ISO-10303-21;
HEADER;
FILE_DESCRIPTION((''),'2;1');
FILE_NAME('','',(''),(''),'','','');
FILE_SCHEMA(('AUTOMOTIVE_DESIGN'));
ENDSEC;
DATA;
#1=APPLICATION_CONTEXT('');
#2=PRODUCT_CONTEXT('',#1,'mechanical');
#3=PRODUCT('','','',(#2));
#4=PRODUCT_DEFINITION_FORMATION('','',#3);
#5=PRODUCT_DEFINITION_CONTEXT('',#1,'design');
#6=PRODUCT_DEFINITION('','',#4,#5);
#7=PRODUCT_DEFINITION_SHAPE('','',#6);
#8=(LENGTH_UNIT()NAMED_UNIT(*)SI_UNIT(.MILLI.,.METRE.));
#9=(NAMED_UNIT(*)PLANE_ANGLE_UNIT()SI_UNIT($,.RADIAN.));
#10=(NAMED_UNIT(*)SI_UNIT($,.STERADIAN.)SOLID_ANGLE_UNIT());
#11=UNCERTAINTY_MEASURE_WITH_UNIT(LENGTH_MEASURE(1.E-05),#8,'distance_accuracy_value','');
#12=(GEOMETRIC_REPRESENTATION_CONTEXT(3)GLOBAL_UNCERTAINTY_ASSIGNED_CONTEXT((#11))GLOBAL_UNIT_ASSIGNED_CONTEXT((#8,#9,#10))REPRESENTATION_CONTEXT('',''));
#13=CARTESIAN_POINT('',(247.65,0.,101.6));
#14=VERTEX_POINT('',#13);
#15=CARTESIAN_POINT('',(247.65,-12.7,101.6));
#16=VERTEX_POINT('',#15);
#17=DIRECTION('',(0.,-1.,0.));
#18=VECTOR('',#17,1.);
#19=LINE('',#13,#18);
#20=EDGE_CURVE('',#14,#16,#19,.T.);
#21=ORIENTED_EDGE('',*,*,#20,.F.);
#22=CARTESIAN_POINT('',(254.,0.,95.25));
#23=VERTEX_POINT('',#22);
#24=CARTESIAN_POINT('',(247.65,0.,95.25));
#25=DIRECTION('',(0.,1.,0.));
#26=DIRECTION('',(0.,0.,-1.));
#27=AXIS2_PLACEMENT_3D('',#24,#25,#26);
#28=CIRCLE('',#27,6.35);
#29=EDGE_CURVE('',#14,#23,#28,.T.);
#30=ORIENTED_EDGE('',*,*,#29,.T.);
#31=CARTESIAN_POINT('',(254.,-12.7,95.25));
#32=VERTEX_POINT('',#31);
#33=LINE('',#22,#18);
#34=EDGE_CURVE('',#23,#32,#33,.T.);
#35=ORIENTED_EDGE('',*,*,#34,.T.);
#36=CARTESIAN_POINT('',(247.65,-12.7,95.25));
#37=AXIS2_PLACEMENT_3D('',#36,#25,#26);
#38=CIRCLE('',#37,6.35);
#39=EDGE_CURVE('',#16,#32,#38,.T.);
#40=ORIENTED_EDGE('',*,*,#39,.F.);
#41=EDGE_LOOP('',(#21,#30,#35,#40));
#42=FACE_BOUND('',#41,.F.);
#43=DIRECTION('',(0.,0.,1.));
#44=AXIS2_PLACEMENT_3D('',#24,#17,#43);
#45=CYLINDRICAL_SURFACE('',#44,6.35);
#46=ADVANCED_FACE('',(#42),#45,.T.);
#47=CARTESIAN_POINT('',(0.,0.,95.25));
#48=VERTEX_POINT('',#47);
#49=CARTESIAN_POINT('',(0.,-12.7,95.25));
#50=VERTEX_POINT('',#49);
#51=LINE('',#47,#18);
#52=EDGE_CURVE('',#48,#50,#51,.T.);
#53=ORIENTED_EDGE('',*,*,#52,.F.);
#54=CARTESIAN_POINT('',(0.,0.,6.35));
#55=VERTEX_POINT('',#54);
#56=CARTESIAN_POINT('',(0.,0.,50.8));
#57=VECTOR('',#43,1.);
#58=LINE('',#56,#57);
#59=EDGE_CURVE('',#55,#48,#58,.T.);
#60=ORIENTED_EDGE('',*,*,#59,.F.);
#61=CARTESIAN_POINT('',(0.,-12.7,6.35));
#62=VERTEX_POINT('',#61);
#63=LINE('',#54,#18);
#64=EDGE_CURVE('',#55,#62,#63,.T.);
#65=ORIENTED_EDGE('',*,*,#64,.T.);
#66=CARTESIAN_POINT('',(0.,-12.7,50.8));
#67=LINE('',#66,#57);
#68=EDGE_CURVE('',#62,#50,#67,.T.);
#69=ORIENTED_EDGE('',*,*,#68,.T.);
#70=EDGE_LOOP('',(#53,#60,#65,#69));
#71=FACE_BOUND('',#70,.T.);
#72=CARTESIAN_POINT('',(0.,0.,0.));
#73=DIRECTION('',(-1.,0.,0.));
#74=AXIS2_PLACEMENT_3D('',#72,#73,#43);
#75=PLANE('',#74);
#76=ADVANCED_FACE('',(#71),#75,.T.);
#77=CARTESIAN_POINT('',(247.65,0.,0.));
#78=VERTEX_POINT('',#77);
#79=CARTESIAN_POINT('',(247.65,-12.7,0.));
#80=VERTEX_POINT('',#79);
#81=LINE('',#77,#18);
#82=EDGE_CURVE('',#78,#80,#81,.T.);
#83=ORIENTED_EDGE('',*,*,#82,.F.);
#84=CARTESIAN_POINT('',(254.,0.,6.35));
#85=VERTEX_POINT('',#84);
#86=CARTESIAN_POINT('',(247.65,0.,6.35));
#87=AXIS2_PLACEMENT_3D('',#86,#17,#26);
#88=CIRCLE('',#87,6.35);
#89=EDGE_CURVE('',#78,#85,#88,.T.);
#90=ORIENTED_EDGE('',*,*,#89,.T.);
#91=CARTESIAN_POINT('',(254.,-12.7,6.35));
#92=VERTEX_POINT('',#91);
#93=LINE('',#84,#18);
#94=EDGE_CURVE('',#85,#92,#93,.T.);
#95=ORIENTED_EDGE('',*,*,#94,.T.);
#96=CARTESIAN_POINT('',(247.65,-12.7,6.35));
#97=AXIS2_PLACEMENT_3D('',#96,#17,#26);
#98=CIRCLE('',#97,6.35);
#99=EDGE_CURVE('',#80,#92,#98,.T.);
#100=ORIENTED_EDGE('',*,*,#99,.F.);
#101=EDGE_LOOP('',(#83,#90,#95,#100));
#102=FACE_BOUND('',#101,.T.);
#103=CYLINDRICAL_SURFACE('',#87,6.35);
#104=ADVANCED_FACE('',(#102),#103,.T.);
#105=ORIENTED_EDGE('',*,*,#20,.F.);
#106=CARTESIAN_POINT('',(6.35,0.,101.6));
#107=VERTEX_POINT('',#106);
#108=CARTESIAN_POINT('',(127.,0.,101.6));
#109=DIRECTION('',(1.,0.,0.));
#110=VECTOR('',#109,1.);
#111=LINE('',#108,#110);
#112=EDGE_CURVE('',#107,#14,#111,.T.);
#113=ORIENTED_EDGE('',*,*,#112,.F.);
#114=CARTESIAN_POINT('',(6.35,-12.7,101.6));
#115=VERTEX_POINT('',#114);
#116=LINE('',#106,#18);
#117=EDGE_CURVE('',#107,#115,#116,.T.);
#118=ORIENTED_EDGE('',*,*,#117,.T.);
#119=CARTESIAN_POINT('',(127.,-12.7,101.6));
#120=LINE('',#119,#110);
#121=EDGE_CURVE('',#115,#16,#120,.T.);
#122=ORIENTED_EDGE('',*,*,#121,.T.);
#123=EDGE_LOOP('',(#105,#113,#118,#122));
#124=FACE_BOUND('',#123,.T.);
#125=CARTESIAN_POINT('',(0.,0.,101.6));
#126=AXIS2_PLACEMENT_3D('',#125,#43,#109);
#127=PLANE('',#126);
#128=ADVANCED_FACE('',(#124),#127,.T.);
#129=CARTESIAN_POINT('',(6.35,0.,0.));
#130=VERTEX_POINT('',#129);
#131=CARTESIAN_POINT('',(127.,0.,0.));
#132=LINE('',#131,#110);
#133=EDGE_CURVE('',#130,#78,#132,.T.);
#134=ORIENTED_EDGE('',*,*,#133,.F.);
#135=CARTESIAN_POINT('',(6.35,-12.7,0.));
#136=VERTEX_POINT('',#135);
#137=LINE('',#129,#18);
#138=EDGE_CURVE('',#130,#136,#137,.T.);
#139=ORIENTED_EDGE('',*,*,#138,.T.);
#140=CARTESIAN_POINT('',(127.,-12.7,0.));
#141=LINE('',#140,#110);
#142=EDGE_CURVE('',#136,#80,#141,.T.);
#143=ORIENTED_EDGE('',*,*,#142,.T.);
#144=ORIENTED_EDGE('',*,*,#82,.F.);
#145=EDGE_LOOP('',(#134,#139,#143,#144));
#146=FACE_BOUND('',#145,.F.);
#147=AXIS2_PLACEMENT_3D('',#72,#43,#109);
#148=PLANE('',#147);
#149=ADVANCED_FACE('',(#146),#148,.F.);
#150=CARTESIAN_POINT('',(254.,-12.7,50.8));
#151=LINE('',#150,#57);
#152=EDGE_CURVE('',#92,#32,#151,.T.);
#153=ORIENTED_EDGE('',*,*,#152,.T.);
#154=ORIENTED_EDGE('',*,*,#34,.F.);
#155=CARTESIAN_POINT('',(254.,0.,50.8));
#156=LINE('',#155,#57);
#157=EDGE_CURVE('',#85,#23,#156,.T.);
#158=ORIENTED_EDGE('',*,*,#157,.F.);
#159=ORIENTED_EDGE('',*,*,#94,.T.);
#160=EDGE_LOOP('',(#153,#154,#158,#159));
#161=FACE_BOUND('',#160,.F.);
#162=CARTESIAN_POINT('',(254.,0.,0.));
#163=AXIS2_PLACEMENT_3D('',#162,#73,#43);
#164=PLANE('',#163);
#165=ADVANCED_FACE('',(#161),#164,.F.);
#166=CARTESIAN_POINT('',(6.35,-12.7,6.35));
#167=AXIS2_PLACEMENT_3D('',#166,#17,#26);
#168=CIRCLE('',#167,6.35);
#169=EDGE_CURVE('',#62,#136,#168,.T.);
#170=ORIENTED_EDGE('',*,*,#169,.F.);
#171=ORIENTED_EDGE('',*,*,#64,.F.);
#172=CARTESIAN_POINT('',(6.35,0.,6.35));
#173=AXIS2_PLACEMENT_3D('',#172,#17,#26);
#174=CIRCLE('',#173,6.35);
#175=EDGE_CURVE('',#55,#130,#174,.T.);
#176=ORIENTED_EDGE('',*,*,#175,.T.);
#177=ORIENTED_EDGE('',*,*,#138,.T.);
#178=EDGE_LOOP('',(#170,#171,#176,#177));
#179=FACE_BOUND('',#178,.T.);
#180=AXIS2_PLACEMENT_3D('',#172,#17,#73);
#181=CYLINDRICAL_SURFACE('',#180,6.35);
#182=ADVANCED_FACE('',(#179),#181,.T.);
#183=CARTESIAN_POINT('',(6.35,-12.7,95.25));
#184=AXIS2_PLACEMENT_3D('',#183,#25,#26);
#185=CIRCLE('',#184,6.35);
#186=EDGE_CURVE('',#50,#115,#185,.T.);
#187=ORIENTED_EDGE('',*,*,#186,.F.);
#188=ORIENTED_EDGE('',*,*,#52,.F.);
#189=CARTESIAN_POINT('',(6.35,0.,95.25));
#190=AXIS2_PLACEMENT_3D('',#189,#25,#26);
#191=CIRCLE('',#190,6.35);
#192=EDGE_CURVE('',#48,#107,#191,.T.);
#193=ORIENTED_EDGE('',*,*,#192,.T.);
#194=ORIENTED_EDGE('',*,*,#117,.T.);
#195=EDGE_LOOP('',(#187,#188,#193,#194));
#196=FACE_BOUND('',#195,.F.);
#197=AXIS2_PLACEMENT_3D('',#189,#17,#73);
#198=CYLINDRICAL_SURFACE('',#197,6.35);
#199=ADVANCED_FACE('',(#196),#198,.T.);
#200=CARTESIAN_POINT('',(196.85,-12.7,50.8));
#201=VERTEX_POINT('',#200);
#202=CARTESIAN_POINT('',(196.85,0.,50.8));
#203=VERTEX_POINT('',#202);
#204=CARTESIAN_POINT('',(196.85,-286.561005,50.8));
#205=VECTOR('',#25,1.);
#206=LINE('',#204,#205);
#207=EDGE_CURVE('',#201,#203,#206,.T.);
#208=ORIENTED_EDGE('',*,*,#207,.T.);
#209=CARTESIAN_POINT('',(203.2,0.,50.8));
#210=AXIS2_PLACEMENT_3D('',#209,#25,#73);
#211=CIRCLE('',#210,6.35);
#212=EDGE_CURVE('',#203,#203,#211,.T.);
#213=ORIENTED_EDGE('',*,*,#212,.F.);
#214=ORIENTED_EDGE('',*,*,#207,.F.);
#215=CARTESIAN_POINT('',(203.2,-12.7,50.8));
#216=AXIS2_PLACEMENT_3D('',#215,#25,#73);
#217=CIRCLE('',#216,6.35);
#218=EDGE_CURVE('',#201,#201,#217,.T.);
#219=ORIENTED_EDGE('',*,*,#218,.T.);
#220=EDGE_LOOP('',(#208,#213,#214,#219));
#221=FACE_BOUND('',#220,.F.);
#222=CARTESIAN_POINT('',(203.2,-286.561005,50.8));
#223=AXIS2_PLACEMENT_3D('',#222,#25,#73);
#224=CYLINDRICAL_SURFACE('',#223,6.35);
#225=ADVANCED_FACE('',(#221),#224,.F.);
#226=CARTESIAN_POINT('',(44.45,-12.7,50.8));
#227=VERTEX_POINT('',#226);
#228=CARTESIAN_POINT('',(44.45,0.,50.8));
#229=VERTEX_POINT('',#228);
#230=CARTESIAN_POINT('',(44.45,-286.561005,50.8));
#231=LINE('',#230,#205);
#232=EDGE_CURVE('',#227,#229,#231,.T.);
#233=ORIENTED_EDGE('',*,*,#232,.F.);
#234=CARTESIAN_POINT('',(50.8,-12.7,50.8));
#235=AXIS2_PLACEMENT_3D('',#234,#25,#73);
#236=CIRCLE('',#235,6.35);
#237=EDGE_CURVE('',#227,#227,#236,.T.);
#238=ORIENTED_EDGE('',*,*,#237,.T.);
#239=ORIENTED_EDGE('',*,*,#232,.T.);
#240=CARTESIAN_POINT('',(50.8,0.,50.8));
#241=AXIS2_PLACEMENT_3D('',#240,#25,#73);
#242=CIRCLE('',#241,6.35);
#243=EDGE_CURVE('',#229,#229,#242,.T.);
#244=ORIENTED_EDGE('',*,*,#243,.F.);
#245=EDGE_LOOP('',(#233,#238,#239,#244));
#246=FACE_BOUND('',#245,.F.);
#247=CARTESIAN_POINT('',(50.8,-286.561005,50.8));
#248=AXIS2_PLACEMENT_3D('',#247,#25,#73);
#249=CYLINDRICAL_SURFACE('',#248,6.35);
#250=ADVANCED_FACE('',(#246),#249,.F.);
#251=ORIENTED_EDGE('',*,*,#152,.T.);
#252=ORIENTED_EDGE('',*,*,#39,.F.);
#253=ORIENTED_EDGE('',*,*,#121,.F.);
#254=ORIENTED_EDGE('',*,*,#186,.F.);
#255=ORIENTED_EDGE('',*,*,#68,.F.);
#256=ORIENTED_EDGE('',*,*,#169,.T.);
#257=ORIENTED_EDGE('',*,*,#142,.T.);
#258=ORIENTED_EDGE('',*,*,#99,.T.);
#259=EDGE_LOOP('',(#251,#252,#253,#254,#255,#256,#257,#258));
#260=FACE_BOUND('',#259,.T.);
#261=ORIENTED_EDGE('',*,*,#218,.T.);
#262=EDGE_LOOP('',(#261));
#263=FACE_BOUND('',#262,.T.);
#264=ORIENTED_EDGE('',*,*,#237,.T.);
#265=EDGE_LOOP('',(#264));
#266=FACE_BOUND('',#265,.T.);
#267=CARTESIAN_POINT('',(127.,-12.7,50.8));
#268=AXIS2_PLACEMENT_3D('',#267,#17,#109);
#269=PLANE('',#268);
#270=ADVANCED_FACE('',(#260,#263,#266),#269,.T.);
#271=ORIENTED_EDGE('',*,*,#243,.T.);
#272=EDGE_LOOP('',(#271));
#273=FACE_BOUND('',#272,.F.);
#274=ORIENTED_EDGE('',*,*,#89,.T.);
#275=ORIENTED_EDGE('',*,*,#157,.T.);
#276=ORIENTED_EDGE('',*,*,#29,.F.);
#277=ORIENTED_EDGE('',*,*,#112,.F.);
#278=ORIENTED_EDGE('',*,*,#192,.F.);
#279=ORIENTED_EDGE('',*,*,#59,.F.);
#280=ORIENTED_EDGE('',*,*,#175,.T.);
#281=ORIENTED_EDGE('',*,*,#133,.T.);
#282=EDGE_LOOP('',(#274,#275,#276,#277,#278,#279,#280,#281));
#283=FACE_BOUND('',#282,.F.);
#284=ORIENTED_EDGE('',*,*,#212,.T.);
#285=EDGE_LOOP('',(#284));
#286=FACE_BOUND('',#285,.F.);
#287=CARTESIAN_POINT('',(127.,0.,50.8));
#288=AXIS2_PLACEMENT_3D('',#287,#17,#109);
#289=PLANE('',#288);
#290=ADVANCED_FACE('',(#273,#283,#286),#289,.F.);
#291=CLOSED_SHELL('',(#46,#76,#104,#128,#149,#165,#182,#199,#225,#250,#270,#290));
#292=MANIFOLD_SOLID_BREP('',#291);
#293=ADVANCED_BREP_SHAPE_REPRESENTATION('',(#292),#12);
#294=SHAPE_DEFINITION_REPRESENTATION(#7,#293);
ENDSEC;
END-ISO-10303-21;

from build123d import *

# Parameters (mm, degrees)
F0_W     = 254
F0_H     = 101.6
F1_DEPTH = 12.7
F3_D     = 12.7
F4_R     = 6.35


with BuildPart() as f1:
    # F0 (on Front) → F1 (new body)
    with BuildSketch(Plane.XZ):
        with Locations((127, 50.8)):
            Rectangle(F0_W, F0_H)
    extrude(amount=F1_DEPTH)

    # F3 (through all)
    with Locations(Plane.XZ.offset(12.7)):
        with Locations((50.8, 50.8), (203.2, 50.8)):
            Hole(F3_D / 2)

    # F4
    f4_edges = [f1.edges().sort_by_distance(p)[0] for p in [
        (0, -6.35, 101.6),
        (0, -6.35, 0),
        (254, -6.35, 0),
        (254, -6.35, 101.6),
    ]]
    fillet(f4_edges, radius=F4_R)


solid = f1.part
